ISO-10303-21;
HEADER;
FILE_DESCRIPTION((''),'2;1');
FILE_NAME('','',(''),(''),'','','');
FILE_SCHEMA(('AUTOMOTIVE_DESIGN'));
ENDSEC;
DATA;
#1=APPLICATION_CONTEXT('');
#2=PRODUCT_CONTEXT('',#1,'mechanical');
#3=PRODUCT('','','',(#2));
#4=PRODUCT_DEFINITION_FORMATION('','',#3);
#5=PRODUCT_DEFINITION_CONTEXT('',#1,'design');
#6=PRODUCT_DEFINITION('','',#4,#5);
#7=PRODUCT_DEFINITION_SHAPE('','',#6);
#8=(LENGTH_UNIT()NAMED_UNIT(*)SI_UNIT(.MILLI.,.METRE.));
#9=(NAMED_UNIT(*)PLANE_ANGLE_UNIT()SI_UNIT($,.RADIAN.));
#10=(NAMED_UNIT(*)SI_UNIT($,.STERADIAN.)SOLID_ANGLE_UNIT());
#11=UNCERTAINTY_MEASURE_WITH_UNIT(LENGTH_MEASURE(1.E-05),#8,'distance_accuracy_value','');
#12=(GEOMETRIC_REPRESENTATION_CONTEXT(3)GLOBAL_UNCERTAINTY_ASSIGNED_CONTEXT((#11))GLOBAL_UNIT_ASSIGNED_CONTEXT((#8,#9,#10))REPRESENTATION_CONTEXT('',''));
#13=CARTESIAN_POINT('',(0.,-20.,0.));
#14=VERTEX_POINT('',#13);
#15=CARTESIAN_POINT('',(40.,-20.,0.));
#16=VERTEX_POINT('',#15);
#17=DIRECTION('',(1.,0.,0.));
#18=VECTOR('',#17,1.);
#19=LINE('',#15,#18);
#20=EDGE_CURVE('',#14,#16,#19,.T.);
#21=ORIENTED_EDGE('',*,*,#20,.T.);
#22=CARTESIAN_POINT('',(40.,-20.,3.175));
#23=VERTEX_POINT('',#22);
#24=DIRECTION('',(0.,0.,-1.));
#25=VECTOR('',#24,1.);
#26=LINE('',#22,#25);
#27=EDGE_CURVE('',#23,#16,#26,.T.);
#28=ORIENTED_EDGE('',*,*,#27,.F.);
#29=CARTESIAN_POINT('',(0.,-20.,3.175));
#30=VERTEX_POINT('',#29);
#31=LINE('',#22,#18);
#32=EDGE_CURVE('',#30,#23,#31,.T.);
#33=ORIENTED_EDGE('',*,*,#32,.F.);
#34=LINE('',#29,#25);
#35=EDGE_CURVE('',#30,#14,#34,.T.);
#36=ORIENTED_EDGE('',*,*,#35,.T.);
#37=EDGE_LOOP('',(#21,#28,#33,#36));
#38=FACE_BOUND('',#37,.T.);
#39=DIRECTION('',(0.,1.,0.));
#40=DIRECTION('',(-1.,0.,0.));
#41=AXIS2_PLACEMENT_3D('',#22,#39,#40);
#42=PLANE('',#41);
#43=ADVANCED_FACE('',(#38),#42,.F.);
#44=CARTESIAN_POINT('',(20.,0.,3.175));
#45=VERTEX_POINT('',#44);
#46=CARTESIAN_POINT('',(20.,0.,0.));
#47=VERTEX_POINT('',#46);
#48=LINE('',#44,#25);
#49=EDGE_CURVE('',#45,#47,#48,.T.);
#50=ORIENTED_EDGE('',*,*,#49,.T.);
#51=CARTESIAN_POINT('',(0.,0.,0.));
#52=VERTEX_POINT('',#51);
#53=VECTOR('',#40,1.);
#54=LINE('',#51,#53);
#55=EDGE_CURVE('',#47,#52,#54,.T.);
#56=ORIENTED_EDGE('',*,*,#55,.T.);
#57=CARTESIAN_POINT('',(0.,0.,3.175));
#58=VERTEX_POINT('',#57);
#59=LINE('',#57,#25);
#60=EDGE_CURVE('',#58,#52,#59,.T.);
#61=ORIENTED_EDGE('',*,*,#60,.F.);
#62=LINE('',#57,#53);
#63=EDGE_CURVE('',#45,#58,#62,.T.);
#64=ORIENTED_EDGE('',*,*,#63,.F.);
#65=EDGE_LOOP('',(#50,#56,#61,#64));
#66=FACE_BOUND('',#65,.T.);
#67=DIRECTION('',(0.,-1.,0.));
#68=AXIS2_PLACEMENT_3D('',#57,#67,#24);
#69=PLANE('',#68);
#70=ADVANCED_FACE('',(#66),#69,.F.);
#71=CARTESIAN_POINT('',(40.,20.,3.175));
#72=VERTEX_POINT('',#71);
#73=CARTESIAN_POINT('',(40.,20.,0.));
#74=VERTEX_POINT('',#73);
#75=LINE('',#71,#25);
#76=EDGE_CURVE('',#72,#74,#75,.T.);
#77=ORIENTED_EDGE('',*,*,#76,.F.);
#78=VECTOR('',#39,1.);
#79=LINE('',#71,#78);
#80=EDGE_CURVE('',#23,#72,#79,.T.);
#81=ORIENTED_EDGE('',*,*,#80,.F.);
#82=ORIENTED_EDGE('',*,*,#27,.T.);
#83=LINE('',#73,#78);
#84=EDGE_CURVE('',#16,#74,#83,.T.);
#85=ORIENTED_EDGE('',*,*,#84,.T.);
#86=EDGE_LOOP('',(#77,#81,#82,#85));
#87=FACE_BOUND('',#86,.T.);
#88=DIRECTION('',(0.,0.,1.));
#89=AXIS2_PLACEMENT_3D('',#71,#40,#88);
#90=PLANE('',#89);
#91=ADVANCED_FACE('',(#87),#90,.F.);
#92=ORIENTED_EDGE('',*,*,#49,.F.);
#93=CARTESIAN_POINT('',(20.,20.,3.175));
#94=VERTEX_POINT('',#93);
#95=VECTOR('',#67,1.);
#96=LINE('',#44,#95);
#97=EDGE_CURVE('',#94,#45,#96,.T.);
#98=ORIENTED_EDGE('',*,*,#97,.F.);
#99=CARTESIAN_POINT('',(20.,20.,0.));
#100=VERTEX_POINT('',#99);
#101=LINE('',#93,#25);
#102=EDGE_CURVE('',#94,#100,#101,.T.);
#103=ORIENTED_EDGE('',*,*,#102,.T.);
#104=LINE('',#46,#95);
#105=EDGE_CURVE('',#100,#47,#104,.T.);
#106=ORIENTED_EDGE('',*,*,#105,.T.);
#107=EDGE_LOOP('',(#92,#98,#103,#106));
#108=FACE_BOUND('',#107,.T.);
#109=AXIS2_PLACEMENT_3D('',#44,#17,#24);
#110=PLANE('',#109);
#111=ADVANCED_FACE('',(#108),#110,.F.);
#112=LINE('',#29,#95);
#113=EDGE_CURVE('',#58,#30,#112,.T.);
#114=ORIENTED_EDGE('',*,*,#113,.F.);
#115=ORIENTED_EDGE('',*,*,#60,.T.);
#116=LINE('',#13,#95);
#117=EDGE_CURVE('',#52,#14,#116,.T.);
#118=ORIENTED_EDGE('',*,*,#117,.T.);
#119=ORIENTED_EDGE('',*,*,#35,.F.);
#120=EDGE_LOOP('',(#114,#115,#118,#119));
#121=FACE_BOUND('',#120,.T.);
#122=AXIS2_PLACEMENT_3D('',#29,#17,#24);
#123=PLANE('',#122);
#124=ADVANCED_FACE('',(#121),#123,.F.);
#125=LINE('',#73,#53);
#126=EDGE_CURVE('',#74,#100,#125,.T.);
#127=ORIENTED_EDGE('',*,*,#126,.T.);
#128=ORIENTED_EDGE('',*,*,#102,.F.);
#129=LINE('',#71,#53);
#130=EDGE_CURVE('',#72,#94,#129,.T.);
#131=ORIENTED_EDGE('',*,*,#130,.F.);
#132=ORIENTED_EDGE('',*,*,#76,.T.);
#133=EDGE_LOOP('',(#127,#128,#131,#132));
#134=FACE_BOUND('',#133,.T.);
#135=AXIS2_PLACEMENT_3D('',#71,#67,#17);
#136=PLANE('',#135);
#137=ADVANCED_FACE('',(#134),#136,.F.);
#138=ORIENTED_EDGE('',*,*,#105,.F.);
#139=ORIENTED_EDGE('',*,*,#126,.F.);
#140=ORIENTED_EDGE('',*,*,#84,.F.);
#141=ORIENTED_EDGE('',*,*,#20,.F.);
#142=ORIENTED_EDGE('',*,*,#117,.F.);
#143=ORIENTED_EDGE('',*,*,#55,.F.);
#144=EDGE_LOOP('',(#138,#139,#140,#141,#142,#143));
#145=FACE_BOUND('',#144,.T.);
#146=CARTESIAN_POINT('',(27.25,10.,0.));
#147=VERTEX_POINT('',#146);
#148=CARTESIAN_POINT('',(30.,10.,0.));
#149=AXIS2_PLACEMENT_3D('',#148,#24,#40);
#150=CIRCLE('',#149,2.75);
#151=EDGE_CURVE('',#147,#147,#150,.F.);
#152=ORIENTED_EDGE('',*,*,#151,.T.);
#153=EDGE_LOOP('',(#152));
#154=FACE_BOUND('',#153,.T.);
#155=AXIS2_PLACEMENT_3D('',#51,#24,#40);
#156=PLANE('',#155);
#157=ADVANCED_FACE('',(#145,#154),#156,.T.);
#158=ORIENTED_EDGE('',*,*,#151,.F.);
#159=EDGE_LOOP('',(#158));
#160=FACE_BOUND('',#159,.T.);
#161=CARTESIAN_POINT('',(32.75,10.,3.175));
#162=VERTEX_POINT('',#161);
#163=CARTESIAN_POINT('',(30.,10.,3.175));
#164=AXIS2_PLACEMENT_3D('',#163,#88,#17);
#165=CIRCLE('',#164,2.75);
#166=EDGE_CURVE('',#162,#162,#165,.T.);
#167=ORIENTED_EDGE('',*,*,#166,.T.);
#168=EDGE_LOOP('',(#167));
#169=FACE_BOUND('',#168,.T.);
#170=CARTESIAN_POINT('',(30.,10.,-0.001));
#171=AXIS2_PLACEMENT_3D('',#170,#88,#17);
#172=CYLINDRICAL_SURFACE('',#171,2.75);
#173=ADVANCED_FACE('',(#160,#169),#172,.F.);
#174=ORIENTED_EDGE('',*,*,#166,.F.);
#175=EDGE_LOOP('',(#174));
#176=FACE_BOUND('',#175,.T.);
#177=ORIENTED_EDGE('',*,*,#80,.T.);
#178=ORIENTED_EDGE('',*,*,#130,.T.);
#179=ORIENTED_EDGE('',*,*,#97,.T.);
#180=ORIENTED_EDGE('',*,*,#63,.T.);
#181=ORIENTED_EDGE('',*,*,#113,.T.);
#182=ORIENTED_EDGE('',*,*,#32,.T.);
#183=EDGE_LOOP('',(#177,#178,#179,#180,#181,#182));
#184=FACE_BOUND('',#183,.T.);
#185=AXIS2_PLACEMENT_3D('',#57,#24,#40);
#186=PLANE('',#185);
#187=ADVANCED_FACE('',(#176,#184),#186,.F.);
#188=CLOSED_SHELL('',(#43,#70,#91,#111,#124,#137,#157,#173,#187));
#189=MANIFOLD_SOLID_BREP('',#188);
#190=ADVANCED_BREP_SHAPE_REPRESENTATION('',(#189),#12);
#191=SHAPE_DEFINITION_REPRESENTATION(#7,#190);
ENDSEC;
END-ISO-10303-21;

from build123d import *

# Parameters (mm, degrees)
BOSS_EXTRUDE1_DEPTH = 3.175
CUT_EXTRUDE1_REACH  = 5.175
SKETCH2_R           = 2.75


with BuildPart() as part:
    # Sketch1 → Boss-Extrude1 (new body)
    with BuildSketch(Plane.XY):
        Polygon((0, 0), (20, 0), (20, 20), (40, 20), (40, -20), (0, -20), align=None)
    extrude(amount=BOSS_EXTRUDE1_DEPTH)

    # Sketch2 → Cut-Extrude1 (cut, up to next)
    with BuildSketch(Plane.XY.offset(3.175), mode=Mode.PRIVATE) as cut_extrude1_sk1:
        with Locations((30, 10)):
            Circle(SKETCH2_R)
    cut_extrude1_tool1 = extrude(cut_extrude1_sk1.sketch, amount=-CUT_EXTRUDE1_REACH, mode=Mode.PRIVATE) & part.part
    add(cut_extrude1_tool1.solids().sort_by_distance((30, 10, 3.175))[0], mode=Mode.SUBTRACT)


solid = part.part
